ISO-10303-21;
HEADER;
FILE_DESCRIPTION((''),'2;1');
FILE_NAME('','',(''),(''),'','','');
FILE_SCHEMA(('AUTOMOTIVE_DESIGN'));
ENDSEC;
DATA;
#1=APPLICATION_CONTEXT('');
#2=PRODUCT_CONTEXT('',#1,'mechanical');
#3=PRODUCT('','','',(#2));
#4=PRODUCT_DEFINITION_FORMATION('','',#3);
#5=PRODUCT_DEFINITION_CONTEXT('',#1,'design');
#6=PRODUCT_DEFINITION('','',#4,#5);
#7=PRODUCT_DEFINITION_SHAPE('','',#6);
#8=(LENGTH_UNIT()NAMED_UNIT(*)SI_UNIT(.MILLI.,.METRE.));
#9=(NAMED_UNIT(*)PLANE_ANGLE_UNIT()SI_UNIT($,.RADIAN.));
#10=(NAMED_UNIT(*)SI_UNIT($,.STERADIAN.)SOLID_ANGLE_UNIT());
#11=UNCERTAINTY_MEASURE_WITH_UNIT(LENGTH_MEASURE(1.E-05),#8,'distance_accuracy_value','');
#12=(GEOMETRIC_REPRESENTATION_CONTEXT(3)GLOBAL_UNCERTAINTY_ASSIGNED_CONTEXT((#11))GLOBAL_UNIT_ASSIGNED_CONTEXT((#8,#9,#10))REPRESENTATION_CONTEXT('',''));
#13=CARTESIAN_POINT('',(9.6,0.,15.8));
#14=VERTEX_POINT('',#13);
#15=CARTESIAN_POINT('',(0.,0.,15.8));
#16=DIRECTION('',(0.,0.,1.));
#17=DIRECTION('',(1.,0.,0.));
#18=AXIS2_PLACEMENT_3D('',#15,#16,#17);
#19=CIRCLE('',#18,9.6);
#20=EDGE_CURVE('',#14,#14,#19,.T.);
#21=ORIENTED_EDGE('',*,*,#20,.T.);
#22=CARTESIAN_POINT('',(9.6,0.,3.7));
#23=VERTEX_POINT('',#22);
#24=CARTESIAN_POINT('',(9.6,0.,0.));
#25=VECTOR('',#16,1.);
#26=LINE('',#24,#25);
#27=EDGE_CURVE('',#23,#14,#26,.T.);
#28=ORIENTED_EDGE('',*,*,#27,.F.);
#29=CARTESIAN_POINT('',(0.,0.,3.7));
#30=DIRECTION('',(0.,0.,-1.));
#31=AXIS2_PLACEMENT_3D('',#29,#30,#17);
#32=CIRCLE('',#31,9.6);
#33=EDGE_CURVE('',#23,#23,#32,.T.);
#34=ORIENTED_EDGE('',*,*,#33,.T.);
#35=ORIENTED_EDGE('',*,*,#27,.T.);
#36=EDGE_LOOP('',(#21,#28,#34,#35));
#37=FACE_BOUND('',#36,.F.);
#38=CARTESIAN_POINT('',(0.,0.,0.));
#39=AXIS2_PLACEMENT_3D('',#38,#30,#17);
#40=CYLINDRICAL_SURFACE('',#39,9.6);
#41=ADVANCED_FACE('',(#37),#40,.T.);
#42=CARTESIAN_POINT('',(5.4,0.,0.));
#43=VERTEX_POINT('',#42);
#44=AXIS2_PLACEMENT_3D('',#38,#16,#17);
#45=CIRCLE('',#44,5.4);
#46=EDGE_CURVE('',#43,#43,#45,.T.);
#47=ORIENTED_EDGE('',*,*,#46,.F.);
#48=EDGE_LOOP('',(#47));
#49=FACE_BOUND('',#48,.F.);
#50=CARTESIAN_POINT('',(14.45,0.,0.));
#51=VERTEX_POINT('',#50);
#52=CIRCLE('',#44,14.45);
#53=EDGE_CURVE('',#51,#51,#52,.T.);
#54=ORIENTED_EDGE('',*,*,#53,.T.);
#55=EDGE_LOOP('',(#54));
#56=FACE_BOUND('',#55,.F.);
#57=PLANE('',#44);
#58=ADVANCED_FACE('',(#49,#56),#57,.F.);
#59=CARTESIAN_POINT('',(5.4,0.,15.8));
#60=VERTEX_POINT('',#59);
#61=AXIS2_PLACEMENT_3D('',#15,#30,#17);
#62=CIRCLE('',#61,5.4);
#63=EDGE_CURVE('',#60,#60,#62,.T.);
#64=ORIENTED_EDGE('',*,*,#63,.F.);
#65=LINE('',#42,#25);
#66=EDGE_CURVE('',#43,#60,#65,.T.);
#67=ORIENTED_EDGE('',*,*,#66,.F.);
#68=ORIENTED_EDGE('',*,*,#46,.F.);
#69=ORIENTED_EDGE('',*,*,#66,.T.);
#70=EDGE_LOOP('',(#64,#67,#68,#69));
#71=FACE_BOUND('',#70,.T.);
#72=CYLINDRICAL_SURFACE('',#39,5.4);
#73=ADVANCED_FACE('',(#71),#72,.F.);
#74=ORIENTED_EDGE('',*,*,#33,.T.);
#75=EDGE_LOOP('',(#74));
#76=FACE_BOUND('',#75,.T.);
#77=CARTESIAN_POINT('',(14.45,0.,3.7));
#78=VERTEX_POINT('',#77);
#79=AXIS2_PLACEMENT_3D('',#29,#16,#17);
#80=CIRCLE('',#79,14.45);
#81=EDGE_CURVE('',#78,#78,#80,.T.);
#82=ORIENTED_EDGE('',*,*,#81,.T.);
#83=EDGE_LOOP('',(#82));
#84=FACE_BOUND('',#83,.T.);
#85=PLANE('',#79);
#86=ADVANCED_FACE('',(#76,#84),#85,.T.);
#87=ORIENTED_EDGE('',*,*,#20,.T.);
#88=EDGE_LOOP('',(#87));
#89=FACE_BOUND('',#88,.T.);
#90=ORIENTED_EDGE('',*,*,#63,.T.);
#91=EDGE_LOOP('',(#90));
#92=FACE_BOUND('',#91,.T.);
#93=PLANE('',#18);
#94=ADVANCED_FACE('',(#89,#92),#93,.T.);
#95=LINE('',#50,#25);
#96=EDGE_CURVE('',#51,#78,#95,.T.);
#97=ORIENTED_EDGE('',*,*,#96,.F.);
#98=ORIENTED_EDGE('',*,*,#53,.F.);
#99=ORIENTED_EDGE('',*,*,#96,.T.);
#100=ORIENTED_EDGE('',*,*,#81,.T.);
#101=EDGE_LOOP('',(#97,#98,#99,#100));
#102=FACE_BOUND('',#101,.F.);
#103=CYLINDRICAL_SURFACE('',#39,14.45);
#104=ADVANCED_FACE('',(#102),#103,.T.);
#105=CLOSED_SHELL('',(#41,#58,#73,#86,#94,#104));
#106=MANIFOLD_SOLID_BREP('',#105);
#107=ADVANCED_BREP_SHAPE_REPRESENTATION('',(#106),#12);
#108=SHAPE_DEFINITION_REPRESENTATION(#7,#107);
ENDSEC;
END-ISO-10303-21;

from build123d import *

# Parameters (mm, degrees)
F0_R     = 9.6
F1_DEPTH = 15.8
F2_R     = 5.4
F3_DEPTH = 20
F4_R     = 14.45
F5_DEPTH = 3.7
F6_R     = 5.4
F7_DEPTH = 3.7


with BuildPart() as f1:
    # F0 (on Top) → F1 (new body)
    with BuildSketch(Plane.XY):
        Circle(F0_R)
    extrude(amount=F1_DEPTH)

    # F2 (on Top) → F3 (cut)
    with BuildSketch(Plane.XY):
        Circle(F2_R)
    extrude(amount=F3_DEPTH, mode=Mode.SUBTRACT)

    # F4 (on Top) → F5 (join)
    with BuildSketch(Plane.XY):
        Circle(F4_R)
    extrude(amount=F5_DEPTH)

    # F6 (on Top) → F7 (cut)
    with BuildSketch(Plane.XY):
        Circle(F6_R)
    extrude(amount=F7_DEPTH, mode=Mode.SUBTRACT)


solid = f1.part
